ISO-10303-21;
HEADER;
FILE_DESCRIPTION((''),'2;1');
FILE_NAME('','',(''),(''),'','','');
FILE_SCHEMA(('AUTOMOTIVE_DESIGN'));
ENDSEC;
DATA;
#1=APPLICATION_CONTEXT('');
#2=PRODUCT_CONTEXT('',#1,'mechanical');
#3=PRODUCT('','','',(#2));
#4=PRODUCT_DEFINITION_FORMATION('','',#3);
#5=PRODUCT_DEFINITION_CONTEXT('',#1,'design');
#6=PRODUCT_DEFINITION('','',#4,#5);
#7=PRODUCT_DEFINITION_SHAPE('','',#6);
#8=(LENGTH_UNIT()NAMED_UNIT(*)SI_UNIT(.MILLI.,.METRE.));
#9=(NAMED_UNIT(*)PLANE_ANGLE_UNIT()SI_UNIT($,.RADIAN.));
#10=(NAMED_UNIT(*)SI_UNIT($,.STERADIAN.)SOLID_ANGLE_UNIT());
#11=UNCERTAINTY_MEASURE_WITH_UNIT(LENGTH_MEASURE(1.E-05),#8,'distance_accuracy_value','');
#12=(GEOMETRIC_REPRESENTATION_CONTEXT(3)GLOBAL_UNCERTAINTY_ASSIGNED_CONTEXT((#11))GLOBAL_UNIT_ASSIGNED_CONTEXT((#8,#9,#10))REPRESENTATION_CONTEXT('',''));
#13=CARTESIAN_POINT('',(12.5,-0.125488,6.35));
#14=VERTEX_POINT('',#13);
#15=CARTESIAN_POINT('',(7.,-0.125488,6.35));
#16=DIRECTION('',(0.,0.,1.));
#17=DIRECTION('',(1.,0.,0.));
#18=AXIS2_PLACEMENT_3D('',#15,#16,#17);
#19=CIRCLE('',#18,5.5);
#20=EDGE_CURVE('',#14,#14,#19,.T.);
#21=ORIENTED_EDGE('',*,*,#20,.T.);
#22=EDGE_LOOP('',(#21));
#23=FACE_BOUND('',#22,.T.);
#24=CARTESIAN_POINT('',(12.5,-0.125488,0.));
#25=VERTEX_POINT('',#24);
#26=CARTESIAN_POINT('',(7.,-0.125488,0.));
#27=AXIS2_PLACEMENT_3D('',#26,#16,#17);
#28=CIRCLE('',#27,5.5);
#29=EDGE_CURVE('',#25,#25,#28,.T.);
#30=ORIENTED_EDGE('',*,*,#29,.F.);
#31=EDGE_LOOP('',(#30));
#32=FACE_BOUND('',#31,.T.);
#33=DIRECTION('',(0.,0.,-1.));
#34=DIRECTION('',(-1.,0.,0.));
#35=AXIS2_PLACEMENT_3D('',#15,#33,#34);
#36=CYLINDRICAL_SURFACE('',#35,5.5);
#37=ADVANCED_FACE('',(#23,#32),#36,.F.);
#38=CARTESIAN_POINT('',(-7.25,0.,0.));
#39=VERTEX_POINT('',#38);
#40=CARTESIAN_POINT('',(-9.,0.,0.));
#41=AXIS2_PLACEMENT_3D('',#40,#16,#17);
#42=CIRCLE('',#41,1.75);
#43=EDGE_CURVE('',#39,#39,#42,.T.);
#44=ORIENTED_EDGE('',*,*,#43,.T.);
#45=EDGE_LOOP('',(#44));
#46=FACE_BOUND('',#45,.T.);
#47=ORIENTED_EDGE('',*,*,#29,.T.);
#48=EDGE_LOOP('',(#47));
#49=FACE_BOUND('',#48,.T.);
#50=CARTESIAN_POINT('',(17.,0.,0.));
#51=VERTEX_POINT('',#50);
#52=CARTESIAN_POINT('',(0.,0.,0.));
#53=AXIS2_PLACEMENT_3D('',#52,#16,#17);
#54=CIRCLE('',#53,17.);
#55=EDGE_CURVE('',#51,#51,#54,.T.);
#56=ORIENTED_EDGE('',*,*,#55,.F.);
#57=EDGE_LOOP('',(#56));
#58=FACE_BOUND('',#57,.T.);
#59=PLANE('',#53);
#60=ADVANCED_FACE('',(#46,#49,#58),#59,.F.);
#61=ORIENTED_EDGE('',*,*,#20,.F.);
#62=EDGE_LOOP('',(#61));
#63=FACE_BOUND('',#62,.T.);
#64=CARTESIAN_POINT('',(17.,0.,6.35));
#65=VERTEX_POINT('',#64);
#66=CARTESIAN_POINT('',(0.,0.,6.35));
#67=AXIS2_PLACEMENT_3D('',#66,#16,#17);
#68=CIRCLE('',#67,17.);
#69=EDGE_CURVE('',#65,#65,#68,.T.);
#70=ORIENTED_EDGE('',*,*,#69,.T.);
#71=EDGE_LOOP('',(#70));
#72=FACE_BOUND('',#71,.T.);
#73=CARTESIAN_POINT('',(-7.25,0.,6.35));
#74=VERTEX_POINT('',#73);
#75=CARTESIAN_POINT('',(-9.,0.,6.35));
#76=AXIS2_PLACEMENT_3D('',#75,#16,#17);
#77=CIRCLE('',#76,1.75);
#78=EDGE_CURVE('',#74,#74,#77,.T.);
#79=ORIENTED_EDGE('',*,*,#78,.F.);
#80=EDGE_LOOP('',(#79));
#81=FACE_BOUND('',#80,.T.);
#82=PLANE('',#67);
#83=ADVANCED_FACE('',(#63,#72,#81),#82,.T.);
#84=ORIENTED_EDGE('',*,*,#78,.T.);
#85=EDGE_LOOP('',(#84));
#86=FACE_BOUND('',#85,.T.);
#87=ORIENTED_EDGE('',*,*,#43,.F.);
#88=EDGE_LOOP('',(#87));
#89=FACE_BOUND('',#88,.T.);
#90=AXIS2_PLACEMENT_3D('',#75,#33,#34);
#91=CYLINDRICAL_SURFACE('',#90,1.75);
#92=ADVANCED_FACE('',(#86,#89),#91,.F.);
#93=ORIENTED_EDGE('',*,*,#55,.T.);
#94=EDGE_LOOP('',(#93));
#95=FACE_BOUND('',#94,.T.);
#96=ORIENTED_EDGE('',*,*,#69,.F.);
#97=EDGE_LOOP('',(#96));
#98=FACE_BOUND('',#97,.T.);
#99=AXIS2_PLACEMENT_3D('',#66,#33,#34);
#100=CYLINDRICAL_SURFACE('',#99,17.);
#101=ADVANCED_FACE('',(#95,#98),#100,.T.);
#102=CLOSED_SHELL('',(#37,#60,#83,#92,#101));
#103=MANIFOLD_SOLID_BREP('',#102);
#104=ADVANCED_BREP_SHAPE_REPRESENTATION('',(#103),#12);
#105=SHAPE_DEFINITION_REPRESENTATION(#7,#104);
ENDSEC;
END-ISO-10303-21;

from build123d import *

# Parameters (mm, degrees)
SKETCH1_R           = 17
SKETCH1_R_2         = 1.75
SKETCH1_R_3         = 5.5
BOSS_EXTRUDE1_DEPTH = 6.35


with BuildPart() as part:
    # Sketch1 → Boss-Extrude1 (new body)
    with BuildSketch(Plane.XY):
        Circle(SKETCH1_R)
        with Locations((-9, 0)):
            Circle(SKETCH1_R_2, mode=Mode.SUBTRACT)
        with Locations((7, -0.12548824)):
            Circle(SKETCH1_R_3, mode=Mode.SUBTRACT)
    extrude(amount=BOSS_EXTRUDE1_DEPTH)


solid = part.part
